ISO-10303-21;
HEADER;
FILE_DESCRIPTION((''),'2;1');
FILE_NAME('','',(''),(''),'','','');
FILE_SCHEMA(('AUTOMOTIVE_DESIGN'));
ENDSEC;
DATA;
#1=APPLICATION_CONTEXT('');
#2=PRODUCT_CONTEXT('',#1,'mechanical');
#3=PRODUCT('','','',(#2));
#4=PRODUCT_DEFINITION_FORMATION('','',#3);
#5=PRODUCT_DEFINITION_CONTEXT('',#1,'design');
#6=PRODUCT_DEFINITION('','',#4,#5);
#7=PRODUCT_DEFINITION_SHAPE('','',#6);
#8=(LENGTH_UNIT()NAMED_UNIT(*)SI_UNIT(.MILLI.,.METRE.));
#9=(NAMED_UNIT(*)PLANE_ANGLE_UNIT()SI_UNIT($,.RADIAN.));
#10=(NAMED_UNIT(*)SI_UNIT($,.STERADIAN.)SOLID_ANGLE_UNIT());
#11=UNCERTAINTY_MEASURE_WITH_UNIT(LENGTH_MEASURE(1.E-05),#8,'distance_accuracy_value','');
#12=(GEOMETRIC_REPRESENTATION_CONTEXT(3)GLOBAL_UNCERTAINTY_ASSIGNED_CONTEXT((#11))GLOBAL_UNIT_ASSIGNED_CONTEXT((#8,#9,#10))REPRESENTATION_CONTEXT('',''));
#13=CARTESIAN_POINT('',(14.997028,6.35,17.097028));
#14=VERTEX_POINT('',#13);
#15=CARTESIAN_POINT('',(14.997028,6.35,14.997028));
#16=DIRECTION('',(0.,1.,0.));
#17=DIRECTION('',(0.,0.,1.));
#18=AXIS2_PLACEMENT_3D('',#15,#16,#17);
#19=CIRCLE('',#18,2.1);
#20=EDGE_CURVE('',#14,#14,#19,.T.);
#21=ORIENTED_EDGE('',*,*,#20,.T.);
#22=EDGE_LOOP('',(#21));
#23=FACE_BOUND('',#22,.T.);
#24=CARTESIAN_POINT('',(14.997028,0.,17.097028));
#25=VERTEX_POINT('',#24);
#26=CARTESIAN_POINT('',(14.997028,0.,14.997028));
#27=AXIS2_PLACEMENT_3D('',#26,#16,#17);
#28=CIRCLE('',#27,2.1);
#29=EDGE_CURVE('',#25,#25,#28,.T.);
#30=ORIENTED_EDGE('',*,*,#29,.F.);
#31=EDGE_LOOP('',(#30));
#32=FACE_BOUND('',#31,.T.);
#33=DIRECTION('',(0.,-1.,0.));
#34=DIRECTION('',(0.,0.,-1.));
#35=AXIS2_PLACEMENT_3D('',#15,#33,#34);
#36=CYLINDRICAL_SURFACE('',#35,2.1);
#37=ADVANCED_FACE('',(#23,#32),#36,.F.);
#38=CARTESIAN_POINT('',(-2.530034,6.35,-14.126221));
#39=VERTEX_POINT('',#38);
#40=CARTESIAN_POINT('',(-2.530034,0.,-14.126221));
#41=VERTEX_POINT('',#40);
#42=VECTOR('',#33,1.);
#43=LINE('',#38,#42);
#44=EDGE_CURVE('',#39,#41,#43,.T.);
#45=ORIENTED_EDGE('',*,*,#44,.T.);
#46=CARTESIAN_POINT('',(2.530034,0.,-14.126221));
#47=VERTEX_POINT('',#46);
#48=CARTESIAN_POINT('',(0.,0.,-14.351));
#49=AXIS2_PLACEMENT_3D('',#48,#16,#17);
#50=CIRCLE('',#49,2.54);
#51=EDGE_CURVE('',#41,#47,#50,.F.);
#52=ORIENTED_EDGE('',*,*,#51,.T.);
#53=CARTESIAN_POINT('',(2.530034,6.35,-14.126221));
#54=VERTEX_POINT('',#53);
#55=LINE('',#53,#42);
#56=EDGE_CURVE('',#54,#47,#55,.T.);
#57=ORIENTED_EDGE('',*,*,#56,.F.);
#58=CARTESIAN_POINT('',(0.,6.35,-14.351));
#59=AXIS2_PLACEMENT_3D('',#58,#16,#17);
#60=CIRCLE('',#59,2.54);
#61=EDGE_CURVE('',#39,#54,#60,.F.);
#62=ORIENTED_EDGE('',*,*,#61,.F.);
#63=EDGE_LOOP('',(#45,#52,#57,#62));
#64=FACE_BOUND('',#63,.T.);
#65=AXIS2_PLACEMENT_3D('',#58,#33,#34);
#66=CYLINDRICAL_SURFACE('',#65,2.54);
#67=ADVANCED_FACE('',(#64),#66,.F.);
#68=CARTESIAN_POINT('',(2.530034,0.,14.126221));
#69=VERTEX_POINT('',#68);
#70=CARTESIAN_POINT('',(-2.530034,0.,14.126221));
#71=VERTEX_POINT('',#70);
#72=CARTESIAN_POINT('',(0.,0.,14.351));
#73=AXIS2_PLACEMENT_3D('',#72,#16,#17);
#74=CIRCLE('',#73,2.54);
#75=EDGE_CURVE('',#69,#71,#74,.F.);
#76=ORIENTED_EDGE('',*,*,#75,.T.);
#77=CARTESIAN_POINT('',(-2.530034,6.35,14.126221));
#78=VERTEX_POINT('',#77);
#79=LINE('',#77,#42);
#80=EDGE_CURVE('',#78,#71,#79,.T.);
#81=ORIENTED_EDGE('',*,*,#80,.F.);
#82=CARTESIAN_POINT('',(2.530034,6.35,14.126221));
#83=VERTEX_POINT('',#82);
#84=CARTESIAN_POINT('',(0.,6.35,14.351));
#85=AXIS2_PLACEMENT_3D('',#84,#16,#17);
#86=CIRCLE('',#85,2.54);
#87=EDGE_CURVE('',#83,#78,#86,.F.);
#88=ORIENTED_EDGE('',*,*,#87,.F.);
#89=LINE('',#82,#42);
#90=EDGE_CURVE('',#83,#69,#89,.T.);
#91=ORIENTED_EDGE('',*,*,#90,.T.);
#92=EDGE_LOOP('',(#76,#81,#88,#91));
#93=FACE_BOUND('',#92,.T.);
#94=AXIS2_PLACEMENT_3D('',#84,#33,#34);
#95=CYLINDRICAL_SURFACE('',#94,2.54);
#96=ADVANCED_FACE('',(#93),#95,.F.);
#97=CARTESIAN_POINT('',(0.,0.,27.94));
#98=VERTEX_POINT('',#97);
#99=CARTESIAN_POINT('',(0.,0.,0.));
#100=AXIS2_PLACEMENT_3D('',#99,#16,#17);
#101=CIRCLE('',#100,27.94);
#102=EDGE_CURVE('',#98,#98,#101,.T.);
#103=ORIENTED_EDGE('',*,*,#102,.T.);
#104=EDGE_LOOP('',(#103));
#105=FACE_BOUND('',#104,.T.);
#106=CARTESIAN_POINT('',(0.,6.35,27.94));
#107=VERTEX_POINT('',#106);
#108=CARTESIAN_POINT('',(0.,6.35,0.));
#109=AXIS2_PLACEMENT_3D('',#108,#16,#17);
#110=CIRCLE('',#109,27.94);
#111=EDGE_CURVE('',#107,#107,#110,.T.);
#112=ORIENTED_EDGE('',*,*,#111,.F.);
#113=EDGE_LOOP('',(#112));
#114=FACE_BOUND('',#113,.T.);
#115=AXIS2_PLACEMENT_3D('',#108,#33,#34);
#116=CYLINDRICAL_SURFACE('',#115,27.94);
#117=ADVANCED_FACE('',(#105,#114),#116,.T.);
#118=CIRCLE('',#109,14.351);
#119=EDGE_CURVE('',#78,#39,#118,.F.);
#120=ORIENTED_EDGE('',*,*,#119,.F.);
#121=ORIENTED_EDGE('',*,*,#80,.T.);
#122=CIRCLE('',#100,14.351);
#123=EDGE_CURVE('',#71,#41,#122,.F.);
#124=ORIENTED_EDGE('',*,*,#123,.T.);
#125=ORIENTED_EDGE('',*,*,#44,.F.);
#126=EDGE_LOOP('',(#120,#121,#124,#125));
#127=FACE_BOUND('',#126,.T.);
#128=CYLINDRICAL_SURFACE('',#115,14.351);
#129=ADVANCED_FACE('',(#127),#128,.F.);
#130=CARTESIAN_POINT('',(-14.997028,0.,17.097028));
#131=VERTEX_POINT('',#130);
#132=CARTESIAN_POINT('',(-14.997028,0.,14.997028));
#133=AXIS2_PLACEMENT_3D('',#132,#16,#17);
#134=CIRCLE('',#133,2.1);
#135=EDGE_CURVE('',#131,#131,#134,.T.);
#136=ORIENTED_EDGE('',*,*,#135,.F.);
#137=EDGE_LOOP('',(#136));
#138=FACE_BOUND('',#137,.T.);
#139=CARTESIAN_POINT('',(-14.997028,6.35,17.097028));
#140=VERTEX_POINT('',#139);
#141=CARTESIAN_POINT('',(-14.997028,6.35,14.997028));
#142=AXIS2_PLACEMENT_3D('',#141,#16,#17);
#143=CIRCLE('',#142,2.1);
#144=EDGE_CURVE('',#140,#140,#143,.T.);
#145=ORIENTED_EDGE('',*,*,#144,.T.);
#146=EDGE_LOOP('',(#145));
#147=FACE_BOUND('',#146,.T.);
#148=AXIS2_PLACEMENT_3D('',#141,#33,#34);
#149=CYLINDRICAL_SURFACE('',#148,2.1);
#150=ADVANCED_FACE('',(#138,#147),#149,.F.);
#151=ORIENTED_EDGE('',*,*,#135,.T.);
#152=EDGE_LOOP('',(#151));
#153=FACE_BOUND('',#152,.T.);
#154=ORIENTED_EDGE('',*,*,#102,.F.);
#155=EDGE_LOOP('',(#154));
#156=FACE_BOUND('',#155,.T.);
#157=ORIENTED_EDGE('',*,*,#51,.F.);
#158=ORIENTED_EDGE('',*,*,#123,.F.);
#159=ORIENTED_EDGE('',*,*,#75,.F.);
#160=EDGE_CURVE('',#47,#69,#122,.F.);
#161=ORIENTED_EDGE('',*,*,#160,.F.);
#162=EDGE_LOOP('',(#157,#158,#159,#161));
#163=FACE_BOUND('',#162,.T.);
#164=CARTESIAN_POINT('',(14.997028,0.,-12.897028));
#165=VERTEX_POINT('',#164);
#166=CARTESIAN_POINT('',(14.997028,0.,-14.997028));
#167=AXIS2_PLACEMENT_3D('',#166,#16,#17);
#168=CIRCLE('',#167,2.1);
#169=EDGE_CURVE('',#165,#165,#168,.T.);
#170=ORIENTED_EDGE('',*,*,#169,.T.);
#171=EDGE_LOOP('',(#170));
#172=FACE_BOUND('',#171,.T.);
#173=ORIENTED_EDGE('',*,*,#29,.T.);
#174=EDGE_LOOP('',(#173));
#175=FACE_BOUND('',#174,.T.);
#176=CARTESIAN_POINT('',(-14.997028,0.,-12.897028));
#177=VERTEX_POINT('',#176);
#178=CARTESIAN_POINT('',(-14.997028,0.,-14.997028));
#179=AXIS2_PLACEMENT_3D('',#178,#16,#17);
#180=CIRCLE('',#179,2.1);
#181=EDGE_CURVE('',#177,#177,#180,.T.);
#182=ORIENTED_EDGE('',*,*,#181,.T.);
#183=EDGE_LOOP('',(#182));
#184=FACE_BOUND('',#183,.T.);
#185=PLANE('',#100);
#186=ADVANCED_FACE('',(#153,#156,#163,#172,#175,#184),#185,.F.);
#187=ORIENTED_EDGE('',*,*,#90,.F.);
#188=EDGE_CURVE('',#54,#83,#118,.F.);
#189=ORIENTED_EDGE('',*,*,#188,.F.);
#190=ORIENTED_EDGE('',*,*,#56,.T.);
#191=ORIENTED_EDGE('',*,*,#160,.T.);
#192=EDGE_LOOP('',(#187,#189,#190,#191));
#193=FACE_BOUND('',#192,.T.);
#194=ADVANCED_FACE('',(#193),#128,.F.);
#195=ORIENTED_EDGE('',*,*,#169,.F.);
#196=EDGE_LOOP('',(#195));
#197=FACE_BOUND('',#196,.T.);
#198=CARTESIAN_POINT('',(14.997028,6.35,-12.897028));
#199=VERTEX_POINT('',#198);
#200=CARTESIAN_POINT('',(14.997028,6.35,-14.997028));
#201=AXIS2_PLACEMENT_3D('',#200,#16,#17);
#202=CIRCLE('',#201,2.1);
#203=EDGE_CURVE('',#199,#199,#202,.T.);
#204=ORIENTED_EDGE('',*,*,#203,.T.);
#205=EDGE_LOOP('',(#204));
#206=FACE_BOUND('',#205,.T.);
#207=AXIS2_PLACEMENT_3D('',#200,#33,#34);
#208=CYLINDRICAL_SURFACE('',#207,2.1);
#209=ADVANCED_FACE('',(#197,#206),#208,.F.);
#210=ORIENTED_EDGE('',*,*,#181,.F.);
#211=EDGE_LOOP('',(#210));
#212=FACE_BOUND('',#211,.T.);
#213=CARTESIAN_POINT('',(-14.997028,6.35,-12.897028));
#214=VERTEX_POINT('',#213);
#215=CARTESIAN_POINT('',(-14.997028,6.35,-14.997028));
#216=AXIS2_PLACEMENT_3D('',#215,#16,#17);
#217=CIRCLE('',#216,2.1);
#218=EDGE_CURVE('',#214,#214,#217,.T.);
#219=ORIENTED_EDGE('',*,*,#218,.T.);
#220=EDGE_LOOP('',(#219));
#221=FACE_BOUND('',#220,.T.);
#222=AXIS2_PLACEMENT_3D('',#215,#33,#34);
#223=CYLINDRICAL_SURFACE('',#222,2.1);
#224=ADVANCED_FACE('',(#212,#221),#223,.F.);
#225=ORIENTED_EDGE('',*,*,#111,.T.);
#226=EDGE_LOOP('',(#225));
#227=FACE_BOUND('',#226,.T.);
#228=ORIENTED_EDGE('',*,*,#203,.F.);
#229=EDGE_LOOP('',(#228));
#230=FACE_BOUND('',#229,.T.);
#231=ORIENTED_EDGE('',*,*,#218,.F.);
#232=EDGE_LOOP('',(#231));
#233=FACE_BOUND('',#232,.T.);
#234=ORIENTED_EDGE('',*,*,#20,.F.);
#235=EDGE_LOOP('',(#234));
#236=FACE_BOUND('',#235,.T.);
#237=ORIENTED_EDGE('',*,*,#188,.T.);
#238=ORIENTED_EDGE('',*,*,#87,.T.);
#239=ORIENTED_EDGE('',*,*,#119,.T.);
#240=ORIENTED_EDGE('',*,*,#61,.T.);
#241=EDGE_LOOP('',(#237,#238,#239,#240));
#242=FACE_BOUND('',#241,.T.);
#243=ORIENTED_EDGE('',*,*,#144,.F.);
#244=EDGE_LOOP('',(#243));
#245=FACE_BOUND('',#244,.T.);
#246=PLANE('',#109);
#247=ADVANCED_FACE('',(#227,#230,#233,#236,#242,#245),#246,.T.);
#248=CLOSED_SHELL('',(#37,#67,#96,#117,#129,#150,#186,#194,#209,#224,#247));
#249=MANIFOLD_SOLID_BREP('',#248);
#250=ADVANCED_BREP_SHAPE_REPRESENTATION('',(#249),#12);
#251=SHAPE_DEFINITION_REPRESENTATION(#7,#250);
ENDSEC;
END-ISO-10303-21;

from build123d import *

# Parameters (mm, degrees)
F_0_5IN_SOCKET_R    = 27.94
F_0_5IN_SOCKET_R_2  = 2.1
BOSS_EXTRUDE1_DEPTH = 6.35


with BuildPart() as part:
    # 0.5in Socket → Boss-Extrude1 (new body)
    with BuildSketch(Plane(origin=(0, 0, 0), x_dir=(1, 0, 0), z_dir=(0, 1, 0))):
        with Locations(Location((0, 0, 0), (0, 0, 270))):
            Circle(F_0_5IN_SOCKET_R)
        with Locations(Location((-14.997027722, -14.997027722, 0), (0, 0, 270))):
            Circle(F_0_5IN_SOCKET_R_2, mode=Mode.SUBTRACT)
        with Locations(Location((-14.997027722, 14.997027722, 0), (0, 0, 270))):
            Circle(F_0_5IN_SOCKET_R_2, mode=Mode.SUBTRACT)
        with Locations(Location((14.997027722, 14.997027722, 0), (0, 0, 270))):
            Circle(F_0_5IN_SOCKET_R_2, mode=Mode.SUBTRACT)
        with Locations(Location((14.997027722, -14.997027722, 0), (0, 0, 270))):
            Circle(F_0_5IN_SOCKET_R_2, mode=Mode.SUBTRACT)
        with BuildLine():
            ThreePointArc((2.530034488, -14.126221239), (0, -16.891), (-2.530034488, -14.126221239))
            ThreePointArc((-2.530034488, -14.126221239), (-14.351, 0), (-2.530034488, 14.126221239))
            ThreePointArc((-2.530034488, 14.126221239), (0, 16.891), (2.530034488, 14.126221239))
            ThreePointArc((2.530034488, 14.126221239), (14.351, 0), (2.530034488, -14.126221239))
        make_face(mode=Mode.SUBTRACT)
    extrude(amount=BOSS_EXTRUDE1_DEPTH)


solid = part.part
